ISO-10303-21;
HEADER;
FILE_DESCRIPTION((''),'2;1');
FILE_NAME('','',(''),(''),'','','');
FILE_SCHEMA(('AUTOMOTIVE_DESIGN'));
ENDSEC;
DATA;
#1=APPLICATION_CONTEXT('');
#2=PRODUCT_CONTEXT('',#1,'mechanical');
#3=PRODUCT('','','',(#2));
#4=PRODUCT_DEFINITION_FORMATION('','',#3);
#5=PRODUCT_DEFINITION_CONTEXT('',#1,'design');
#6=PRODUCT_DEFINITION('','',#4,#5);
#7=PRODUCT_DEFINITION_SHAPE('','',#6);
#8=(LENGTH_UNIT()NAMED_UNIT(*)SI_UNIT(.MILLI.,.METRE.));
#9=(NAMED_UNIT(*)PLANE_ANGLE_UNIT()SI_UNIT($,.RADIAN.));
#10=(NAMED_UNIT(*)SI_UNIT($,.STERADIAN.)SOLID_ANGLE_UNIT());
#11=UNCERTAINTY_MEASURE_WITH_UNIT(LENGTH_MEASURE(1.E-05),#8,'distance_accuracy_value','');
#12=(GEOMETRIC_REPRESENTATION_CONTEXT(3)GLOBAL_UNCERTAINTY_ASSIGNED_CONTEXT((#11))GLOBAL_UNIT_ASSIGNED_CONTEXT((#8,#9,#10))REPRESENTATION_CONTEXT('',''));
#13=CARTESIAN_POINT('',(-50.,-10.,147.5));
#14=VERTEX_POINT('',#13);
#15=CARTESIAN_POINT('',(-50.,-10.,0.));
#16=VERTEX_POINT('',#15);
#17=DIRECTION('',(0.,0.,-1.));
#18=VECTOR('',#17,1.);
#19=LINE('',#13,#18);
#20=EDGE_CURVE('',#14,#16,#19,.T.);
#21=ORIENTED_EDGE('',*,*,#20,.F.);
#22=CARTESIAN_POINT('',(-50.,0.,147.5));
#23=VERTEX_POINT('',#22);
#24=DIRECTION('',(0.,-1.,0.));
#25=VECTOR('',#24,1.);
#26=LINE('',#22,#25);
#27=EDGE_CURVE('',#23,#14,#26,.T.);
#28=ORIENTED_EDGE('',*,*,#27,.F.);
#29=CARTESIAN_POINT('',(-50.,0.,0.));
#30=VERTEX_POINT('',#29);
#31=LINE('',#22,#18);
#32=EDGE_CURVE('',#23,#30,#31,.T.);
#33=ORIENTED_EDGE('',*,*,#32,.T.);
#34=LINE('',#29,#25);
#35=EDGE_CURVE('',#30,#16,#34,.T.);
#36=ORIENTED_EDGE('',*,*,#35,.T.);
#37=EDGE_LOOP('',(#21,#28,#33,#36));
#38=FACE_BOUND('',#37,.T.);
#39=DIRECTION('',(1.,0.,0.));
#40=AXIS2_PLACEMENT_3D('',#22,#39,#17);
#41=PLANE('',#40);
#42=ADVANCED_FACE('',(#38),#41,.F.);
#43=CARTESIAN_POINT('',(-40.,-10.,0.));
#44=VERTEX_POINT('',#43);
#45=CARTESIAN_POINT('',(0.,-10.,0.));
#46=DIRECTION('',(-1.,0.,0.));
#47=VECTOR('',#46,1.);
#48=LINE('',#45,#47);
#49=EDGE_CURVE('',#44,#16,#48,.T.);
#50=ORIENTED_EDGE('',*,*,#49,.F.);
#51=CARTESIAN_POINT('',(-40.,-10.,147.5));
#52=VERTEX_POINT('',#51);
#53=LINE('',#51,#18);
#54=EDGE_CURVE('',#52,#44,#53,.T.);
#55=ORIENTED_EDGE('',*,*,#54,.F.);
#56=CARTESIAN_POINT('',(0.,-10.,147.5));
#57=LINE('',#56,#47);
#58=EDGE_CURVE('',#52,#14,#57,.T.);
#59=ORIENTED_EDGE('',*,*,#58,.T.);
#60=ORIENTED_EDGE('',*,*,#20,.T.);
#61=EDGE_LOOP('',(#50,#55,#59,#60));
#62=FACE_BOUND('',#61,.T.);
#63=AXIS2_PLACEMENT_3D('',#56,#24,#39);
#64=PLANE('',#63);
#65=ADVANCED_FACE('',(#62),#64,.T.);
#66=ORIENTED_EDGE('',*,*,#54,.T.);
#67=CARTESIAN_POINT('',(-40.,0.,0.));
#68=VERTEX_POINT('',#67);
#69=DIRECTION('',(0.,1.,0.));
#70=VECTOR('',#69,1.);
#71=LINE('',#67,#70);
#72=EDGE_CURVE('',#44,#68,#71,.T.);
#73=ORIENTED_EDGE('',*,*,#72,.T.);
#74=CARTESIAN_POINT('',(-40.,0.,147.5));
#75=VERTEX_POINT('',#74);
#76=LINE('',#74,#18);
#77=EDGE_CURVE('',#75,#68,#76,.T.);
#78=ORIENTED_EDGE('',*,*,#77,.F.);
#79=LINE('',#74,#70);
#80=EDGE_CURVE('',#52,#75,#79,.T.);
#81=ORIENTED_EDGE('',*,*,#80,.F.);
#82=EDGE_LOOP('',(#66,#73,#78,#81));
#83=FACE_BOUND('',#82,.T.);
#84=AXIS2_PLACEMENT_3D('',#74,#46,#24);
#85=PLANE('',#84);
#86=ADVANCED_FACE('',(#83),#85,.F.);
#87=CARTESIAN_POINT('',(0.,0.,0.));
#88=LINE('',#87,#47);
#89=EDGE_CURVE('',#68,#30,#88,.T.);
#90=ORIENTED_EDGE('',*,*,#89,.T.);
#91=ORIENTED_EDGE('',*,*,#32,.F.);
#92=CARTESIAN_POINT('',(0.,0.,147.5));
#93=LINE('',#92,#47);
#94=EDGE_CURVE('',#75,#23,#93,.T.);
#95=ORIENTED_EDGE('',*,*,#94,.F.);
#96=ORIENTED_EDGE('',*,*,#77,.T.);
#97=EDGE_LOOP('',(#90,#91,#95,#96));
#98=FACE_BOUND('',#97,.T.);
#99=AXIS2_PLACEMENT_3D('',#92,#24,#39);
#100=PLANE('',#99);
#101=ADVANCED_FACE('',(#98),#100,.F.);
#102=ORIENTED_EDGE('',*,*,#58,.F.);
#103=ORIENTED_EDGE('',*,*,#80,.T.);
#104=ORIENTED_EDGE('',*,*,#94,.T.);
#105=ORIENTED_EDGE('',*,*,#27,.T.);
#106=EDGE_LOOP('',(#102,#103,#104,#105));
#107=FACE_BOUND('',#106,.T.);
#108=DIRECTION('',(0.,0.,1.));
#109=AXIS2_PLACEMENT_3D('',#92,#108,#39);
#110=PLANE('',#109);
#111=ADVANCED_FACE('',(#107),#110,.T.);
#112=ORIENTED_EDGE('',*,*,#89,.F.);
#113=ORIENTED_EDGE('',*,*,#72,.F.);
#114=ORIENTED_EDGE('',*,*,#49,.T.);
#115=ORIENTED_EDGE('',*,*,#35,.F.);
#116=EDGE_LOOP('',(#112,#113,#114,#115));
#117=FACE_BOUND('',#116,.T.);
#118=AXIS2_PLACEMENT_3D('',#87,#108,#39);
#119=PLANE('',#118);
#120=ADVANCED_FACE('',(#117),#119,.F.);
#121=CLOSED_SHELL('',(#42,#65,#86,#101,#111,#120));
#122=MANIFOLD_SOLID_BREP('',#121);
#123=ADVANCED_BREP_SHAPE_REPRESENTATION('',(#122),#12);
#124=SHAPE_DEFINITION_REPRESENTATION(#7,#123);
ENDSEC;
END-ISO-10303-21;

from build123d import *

# Parameters (mm, degrees)
ESQUISSE1_W        = 10
ESQUISSE1_H        = 10
BOSS_EXTRU_1_DEPTH = 147.5


with BuildPart() as part:
    # Esquisse1 → Boss.-Extru.1 (new body)
    with BuildSketch(Plane.XY):
        with Locations((-45, -5)):
            Rectangle(ESQUISSE1_W, ESQUISSE1_H)
    extrude(amount=BOSS_EXTRU_1_DEPTH)


solid = part.part
